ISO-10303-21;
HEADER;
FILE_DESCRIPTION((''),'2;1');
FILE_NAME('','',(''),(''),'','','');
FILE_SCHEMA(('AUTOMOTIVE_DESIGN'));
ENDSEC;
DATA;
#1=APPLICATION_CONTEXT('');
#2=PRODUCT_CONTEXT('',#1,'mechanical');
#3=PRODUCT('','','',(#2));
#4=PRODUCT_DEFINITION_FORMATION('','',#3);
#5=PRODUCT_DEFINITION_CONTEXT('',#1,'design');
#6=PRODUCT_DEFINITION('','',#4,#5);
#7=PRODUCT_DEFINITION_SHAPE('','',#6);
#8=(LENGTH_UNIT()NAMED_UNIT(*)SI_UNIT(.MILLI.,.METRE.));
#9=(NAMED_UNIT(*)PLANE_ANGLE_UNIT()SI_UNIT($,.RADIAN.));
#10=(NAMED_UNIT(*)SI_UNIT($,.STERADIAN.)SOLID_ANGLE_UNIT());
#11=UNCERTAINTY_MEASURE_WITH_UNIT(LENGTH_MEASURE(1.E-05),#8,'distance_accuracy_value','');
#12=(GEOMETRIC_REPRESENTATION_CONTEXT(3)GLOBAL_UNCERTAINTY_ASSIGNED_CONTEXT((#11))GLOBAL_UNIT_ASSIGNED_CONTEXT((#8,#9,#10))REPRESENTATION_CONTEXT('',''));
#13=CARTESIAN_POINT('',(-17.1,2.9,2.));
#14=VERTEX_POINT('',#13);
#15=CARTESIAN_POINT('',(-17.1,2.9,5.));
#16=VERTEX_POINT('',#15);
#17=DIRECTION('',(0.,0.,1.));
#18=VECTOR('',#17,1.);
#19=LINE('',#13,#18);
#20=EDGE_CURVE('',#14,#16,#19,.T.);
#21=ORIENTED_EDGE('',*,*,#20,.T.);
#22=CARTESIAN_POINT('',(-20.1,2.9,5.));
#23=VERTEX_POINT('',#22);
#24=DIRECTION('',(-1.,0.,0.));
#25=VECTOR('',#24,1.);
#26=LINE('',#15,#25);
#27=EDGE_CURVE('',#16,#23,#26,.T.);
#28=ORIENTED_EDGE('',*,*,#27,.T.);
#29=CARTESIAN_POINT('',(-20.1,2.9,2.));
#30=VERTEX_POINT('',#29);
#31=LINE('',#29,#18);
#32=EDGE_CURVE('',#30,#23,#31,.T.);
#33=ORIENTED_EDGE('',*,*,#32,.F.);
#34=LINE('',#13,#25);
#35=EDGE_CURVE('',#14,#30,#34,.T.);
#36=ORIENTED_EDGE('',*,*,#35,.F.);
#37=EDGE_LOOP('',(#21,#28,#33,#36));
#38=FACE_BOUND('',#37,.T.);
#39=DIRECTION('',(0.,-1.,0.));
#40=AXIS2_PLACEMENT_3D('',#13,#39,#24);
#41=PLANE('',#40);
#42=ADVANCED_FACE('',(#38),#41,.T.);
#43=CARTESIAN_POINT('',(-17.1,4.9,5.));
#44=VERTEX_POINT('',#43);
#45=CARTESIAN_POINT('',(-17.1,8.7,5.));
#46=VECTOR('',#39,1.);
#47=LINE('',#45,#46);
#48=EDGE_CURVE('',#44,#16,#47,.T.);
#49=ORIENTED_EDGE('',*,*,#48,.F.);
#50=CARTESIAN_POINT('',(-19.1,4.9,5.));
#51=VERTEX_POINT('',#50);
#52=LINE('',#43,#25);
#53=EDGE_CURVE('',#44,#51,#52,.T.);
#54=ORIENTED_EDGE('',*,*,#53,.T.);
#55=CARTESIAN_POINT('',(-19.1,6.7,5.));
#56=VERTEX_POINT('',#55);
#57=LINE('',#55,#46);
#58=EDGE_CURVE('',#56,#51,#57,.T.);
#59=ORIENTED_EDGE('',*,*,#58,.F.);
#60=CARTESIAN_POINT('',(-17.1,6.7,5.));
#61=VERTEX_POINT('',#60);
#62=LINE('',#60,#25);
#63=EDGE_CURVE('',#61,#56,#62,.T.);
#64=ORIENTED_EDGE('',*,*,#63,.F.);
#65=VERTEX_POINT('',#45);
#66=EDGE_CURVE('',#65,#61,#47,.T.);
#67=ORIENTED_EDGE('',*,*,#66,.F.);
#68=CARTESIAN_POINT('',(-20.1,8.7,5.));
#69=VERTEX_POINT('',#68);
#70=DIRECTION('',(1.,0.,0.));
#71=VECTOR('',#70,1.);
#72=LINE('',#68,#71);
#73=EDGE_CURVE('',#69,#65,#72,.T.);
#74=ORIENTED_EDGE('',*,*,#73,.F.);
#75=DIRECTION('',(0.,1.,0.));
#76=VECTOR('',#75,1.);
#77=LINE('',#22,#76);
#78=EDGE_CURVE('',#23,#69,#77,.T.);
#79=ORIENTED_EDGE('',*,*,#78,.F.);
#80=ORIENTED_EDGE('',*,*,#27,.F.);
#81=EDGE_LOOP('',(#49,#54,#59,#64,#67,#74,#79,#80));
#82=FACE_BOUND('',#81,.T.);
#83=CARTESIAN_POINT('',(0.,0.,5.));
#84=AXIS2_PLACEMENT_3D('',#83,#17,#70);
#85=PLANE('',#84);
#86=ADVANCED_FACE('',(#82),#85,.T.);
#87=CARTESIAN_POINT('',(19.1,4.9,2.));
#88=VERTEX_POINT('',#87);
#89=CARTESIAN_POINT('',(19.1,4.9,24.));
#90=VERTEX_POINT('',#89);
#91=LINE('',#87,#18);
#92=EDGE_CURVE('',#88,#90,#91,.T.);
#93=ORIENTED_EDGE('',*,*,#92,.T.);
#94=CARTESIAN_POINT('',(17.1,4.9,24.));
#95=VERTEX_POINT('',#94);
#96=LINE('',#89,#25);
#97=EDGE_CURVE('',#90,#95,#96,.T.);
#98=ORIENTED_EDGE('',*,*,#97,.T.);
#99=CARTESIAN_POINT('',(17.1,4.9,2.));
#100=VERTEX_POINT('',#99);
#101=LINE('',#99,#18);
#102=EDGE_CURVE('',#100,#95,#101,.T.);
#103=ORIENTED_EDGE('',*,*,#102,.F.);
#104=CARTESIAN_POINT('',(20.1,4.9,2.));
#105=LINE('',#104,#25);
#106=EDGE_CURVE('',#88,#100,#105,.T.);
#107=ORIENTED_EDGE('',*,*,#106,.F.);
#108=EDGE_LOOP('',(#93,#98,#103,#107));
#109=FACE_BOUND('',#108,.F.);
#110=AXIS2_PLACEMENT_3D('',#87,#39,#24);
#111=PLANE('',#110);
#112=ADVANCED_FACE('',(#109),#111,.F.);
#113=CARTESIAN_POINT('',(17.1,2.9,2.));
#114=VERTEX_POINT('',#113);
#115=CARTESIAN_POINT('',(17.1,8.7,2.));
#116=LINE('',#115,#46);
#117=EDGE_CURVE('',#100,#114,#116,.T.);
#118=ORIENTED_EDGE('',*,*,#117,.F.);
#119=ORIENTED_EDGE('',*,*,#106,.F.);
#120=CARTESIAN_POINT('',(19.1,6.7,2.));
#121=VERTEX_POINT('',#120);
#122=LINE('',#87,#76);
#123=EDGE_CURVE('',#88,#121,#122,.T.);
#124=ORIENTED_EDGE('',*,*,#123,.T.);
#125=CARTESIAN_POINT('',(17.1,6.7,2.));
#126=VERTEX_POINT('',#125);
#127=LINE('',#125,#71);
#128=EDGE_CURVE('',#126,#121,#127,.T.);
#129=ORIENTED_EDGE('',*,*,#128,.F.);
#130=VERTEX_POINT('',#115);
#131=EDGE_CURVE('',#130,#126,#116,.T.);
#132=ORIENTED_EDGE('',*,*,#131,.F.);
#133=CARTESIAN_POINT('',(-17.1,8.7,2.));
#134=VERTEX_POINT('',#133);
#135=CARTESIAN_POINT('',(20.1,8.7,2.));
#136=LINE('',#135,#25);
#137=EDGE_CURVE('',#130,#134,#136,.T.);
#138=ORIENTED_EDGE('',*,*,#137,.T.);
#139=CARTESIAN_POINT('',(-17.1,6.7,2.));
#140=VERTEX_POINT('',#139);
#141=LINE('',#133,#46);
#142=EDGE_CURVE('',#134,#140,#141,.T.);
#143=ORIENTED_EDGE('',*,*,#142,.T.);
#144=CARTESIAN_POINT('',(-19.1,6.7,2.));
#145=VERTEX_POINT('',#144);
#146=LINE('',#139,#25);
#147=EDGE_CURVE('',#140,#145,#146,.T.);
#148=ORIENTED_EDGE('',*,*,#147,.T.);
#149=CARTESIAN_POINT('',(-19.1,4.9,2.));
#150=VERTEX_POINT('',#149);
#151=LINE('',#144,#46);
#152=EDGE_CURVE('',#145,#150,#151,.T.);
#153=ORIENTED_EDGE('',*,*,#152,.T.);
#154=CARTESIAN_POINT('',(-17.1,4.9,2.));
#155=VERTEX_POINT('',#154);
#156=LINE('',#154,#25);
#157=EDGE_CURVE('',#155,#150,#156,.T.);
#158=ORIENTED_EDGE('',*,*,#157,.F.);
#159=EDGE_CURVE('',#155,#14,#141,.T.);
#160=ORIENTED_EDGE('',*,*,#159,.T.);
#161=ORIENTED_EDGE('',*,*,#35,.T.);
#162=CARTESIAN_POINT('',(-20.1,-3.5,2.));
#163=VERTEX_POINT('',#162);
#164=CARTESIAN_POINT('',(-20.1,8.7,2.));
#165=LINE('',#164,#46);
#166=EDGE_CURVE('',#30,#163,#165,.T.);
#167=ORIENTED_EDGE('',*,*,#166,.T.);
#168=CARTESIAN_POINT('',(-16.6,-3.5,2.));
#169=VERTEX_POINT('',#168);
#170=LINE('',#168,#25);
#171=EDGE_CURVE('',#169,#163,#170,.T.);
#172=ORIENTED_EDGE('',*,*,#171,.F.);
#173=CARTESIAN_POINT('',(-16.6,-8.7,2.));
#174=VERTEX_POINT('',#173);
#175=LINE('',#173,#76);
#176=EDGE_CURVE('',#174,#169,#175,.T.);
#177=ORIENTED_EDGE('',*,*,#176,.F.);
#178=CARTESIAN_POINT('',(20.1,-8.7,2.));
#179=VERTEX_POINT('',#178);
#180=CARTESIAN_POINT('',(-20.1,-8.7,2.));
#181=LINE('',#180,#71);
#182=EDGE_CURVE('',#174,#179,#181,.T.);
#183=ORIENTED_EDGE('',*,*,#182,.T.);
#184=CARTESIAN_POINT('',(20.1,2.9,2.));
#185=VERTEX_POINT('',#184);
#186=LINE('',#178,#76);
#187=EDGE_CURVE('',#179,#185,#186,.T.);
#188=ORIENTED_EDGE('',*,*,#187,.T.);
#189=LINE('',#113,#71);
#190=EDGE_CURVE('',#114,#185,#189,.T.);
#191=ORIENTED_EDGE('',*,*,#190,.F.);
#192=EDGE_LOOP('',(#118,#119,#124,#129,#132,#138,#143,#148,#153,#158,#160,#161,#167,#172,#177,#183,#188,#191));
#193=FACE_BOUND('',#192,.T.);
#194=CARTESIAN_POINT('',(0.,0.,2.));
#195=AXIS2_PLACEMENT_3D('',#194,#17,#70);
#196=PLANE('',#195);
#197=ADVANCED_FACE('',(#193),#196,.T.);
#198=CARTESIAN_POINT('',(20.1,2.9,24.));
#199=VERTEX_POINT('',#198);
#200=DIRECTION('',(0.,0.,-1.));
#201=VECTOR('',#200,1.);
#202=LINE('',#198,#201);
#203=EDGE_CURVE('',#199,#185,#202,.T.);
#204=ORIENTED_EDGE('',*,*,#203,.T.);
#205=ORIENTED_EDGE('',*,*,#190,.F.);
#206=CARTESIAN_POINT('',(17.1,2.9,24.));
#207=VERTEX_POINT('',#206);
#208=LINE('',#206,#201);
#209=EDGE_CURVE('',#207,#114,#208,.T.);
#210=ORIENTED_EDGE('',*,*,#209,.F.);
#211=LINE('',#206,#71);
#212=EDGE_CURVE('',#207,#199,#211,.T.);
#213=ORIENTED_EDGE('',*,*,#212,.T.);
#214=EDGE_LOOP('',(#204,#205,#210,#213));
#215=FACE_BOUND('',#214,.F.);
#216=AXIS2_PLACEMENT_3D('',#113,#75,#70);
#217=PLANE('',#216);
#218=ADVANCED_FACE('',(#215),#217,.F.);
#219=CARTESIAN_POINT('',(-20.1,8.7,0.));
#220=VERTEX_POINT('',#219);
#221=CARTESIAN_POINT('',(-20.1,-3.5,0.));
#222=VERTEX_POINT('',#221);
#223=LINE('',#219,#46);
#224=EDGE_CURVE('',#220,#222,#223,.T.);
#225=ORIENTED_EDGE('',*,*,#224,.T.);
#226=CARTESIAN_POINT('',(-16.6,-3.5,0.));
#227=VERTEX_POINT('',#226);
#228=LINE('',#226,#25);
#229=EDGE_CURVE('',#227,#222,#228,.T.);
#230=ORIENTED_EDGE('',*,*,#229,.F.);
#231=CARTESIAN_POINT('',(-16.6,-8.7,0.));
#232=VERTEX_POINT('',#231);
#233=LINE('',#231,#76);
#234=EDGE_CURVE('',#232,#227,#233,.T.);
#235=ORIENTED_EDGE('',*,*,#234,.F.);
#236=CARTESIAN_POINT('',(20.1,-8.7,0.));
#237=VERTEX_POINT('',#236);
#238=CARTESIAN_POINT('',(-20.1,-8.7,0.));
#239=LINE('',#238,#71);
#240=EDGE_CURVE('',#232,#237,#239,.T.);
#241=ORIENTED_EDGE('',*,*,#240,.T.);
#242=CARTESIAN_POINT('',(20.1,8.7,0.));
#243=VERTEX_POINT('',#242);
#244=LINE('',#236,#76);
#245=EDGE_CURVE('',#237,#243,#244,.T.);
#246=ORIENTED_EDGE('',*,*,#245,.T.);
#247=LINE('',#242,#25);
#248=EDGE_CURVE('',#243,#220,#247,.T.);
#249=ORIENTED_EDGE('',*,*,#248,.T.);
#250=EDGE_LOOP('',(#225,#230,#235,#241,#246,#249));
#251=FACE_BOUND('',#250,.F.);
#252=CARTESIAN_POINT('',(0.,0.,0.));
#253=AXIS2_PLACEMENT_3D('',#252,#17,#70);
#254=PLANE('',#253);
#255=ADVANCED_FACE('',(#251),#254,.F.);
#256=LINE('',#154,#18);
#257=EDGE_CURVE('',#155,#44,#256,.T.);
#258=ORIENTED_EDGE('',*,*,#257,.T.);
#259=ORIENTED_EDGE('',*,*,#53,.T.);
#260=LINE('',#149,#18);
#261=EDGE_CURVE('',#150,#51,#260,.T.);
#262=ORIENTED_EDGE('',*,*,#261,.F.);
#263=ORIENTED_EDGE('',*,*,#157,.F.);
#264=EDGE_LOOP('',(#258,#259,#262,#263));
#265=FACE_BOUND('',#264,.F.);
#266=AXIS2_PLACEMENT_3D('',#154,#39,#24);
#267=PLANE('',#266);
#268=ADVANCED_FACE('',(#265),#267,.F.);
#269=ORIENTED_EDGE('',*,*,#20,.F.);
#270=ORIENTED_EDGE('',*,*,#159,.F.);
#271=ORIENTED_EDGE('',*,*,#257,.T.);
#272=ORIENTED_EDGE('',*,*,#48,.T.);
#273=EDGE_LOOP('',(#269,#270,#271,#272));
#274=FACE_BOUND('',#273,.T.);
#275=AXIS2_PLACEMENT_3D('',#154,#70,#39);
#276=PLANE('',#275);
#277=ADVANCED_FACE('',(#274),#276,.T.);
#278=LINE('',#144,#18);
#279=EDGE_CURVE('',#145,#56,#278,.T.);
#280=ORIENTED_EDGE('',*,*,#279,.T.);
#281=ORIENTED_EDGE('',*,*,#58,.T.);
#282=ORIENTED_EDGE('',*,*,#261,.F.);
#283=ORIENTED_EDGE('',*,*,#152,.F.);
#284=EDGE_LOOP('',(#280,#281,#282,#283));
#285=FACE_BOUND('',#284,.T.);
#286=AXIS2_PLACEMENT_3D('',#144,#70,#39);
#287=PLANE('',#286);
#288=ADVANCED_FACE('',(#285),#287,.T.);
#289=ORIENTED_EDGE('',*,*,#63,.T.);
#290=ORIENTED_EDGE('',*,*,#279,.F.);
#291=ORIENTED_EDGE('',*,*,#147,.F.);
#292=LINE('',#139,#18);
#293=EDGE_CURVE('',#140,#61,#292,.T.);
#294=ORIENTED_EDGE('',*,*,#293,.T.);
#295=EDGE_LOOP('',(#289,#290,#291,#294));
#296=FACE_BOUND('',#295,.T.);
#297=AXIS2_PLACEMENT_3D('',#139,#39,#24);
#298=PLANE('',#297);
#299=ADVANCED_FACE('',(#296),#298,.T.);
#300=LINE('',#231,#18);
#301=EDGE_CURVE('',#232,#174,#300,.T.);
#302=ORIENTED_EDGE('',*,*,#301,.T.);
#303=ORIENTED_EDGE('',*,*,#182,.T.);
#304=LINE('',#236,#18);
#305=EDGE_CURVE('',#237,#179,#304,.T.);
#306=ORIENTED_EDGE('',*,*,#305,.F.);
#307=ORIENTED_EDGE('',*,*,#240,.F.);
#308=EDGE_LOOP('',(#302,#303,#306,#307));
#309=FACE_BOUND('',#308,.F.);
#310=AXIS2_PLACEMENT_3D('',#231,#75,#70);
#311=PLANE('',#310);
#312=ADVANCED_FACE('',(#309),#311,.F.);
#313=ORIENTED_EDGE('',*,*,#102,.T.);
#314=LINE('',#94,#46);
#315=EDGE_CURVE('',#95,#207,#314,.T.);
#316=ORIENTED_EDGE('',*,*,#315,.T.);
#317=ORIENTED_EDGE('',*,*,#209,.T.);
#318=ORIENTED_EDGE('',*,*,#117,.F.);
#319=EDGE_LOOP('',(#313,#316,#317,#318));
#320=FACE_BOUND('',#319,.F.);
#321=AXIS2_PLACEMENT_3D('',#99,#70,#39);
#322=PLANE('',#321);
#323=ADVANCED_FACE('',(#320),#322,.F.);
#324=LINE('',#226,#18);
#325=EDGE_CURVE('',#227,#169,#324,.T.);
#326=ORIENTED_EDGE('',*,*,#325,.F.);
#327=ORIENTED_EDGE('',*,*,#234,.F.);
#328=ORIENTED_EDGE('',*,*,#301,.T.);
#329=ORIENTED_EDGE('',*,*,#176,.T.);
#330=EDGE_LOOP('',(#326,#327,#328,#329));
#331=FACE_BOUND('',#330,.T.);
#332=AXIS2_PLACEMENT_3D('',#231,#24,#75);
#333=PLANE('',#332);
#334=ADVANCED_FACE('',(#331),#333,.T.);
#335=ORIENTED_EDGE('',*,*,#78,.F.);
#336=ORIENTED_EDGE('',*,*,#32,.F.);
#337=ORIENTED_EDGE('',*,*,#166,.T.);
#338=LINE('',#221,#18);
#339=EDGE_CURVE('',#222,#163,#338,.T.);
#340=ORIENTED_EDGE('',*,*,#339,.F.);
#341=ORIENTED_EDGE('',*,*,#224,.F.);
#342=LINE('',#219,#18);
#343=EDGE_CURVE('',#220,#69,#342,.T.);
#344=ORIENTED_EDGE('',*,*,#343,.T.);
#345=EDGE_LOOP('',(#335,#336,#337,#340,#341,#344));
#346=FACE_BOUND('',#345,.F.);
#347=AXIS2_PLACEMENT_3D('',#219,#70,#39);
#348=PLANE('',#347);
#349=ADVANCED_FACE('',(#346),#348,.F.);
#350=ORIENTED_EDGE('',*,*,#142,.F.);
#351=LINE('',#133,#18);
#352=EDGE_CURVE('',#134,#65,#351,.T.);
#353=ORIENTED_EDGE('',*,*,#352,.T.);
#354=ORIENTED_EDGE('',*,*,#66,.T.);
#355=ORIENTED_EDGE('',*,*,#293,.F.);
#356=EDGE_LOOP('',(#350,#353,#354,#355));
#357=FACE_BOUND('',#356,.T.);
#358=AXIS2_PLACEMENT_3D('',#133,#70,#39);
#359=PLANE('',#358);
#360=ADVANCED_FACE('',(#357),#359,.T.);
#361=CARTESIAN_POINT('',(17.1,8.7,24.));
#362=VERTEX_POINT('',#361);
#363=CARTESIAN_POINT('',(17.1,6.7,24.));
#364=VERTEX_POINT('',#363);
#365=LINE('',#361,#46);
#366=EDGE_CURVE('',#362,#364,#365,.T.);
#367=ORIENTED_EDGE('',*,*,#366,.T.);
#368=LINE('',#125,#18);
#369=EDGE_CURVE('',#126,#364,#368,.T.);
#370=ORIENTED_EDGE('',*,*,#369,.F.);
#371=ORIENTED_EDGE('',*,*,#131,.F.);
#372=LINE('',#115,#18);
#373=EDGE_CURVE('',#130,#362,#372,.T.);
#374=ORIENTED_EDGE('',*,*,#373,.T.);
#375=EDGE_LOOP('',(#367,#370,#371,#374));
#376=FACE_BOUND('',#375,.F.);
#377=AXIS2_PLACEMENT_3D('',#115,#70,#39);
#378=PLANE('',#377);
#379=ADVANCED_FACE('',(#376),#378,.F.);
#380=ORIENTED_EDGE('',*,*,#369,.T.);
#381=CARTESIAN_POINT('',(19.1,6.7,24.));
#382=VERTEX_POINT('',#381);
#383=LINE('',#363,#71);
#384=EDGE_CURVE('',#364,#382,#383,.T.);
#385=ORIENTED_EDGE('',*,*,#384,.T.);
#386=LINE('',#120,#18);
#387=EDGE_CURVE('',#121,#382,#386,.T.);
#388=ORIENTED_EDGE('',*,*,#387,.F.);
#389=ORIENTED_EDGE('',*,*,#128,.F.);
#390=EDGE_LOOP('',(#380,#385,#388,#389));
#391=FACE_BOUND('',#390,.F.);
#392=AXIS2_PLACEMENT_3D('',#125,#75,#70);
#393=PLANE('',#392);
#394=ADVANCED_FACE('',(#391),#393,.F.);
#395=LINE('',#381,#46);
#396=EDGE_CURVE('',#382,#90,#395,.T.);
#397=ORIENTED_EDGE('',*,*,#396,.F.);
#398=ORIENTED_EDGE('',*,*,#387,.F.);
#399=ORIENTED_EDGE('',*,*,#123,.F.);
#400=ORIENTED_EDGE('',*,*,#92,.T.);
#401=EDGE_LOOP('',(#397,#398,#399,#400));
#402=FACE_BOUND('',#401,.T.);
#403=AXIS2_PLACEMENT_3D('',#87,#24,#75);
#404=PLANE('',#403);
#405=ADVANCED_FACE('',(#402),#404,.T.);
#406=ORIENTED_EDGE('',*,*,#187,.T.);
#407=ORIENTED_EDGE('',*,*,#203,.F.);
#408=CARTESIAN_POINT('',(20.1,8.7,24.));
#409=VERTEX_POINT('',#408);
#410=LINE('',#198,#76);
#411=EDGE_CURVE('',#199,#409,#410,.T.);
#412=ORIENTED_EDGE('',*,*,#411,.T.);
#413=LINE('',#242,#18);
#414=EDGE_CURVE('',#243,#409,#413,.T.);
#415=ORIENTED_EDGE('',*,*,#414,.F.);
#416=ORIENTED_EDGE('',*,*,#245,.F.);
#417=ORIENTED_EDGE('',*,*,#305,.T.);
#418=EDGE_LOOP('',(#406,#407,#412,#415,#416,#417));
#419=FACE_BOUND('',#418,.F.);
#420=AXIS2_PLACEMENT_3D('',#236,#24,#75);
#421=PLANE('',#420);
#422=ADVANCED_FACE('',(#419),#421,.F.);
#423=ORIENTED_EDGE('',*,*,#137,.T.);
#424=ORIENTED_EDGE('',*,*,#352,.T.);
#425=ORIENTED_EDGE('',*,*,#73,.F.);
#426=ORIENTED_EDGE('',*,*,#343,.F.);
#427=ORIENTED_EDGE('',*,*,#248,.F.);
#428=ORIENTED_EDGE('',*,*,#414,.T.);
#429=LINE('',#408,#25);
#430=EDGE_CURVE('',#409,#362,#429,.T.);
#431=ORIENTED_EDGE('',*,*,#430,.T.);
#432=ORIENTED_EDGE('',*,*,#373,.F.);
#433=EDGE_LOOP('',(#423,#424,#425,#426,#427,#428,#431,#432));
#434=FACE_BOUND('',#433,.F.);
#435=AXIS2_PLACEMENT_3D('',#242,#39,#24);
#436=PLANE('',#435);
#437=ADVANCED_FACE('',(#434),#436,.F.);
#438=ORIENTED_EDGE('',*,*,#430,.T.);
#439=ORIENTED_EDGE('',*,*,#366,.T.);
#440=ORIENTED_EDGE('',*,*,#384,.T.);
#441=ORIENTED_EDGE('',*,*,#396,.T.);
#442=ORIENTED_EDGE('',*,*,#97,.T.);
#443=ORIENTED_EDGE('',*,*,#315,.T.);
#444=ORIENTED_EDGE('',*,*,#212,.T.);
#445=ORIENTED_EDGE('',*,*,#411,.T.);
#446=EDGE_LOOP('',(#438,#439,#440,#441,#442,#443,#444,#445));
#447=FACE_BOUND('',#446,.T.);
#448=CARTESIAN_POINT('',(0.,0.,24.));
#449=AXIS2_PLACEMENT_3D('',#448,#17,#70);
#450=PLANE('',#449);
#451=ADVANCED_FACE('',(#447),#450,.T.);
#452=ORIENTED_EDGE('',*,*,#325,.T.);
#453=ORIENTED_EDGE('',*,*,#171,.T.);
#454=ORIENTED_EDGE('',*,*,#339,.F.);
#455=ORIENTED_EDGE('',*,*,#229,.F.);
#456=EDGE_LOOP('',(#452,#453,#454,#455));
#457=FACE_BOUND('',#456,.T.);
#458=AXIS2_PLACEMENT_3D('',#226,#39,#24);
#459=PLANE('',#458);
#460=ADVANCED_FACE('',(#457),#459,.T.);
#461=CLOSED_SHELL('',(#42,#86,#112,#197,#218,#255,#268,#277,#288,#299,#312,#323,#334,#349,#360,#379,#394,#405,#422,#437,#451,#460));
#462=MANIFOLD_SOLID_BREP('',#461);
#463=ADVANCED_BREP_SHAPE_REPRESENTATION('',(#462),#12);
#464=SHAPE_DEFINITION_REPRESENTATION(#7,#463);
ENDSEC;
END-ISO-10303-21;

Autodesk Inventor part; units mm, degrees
ref_plane "YZ Plane" through (0, 0, 0) normal (1, 0, 0) x (0, 1, 0)
ref_plane "XZ Plane" through (0, 0, 0) normal (0, 1, 0) x (-1, 0, 0)
ref_plane "XY Plane" through (0, 0, 0) normal (0, 0, 1) x (1, 0, 0)
sketch "Sketch1" plane through (0, 0, 0) normal (0, 0, 1) x (1, 0, 0)
  line L0 (20.1, 8.7) -> (-20.1, 8.7)
  line L1 (-20.1, 8.7) -> (-20.1, -8.7)
  line L2 (-20.1, -8.7) -> (20.1, -8.7)
  line L3 (20.1, -8.7) -> (20.1, 8.7)
  line L4 (20.1, 8.7) -> (-20.1, -8.7) construction
  line L5 (-20.1, 8.7) -> (20.1, -8.7) construction
  line L6 (-20.1, -8.7) -> (-16.6, -8.7)
  line L7 (-16.6, -8.7) -> (-16.6, -3.5)
  line L8 (-16.6, -3.5) -> (-20.1, -3.5)
  line L9 (-20.1, -3.5) -> (-20.1, -8.7)
  point P0 (0, 0)
  point P1 (-16.6, -8.7)
  dimension "d0" = 40.2
  dimension "d1" = 17.4
  dimension "d3" = 5.2
  dimension "d20" = 36.7
extrude "Extrusion1" add sketch "Sketch1" along normal blind 2 contours L3 L2 L7 L8 L1 L0
sketch "Sketch2" plane through (0, 0, 2) normal (0, 0, 1) x (1, 0, 0)
  line L0 (-20.1, 8.7) -> (-20.1, -3.5) projected
  line L1 (-20.1, 8.7) -> (-17.1, 8.7)
  line L2 (-17.1, 8.7) -> (-17.1, 2.9)
  line L3 (-17.1, 2.9) -> (-20.1, 2.9)
  line L4 (-20.1, 2.9) -> (-20.1, 8.7)
  line L5 (20.1, -8.7) -> (20.1, 8.7) projected
  line L6 (20.1, 8.7) -> (17.1, 8.7)
  line L7 (17.1, 8.7) -> (17.1, 2.9)
  line L8 (17.1, 2.9) -> (20.1, 2.9)
  line L9 (20.1, 2.9) -> (20.1, 8.7)
  line L10 (-20.1, 2.9) -> (-17.1, 2.9)
  line L11 (-17.1, 2.9) -> (-17.1, 4.9)
  line L12 (-17.1, 4.9) -> (-20.1, 4.9)
  line L13 (-20.1, 4.9) -> (-20.1, 2.9)
  line L14 (-20.1, 8.7) -> (-17.1, 8.7)
  line L15 (-17.1, 8.7) -> (-17.1, 6.7)
  line L16 (-17.1, 6.7) -> (-20.1, 6.7)
  line L17 (-20.1, 6.7) -> (-20.1, 8.7)
  line L18 (-20.1, 6.7) -> (-19.1, 6.7)
  line L19 (-19.1, 6.7) -> (-19.1, 4.9)
  line L20 (-19.1, 4.9) -> (-20.1, 4.9)
  line L21 (-20.1, 4.9) -> (-20.1, 6.7)
  line L22 (20.1, 8.7) -> (17.1, 8.7)
  line L23 (17.1, 8.7) -> (17.1, 6.7)
  line L24 (17.1, 6.7) -> (20.1, 6.7)
  line L25 (20.1, 6.7) -> (20.1, 8.7)
  line L26 (17.1, 2.9) -> (20.1, 2.9)
  line L27 (20.1, 2.9) -> (20.1, 4.9)
  line L28 (20.1, 4.9) -> (17.1, 4.9)
  line L29 (17.1, 4.9) -> (17.1, 2.9)
  line L30 (20.1, 4.9) -> (19.1, 4.9)
  line L31 (19.1, 4.9) -> (19.1, 6.7)
  line L32 (19.1, 6.7) -> (20.1, 6.7)
  line L33 (20.1, 6.7) -> (20.1, 4.9)
  point P0 (0, 0)
  dimension "d6" = 3
  dimension "d7" = 5.8
  dimension "d8" = 3
  dimension "d9" = 5.8
  dimension "d10" = 2
  dimension "d11" = 2
  dimension "d12" = 1
  dimension "d13" = 2
  dimension "d14" = 2
  dimension "d15" = 1
extrude "Extrusion2" add sketch "Sketch2" along normal blind 3 contours L1 L2 L16 L0 | L16 L19 L12 L0 | L12 L2 L3 L0 | L8 L7 L28 L5 | L28 L31 L24 L5 | L24 L7 L6 L5
sketch "Sketch3" plane through (0, 0, 5) normal (0, 0, 1) x (1, 0, 0)
  line L0 (17.1, 4.9) -> (17.1, 2.9) projected
  line L1 (17.1, 2.9) -> (20.1, 2.9) projected
  line L2 (20.1, 2.9) -> (20.1, 8.7) projected
  line L3 (20.1, 8.7) -> (17.1, 8.7) projected
  line L4 (17.1, 8.7) -> (17.1, 6.7) projected
  line L5 (17.1, 6.7) -> (19.1, 6.7) projected
  line L6 (19.1, 6.7) -> (19.1, 4.9) projected
  line L7 (19.1, 4.9) -> (17.1, 4.9) projected
  line L8 (19.1, 6.7) -> (20.1, 6.7)
  point P0 (0, 0)
extrude "Extrusion3" add sketch "Sketch3" along normal blind 19
properties part number "clip_zs042-command" material "PC/ABS Plastic"
